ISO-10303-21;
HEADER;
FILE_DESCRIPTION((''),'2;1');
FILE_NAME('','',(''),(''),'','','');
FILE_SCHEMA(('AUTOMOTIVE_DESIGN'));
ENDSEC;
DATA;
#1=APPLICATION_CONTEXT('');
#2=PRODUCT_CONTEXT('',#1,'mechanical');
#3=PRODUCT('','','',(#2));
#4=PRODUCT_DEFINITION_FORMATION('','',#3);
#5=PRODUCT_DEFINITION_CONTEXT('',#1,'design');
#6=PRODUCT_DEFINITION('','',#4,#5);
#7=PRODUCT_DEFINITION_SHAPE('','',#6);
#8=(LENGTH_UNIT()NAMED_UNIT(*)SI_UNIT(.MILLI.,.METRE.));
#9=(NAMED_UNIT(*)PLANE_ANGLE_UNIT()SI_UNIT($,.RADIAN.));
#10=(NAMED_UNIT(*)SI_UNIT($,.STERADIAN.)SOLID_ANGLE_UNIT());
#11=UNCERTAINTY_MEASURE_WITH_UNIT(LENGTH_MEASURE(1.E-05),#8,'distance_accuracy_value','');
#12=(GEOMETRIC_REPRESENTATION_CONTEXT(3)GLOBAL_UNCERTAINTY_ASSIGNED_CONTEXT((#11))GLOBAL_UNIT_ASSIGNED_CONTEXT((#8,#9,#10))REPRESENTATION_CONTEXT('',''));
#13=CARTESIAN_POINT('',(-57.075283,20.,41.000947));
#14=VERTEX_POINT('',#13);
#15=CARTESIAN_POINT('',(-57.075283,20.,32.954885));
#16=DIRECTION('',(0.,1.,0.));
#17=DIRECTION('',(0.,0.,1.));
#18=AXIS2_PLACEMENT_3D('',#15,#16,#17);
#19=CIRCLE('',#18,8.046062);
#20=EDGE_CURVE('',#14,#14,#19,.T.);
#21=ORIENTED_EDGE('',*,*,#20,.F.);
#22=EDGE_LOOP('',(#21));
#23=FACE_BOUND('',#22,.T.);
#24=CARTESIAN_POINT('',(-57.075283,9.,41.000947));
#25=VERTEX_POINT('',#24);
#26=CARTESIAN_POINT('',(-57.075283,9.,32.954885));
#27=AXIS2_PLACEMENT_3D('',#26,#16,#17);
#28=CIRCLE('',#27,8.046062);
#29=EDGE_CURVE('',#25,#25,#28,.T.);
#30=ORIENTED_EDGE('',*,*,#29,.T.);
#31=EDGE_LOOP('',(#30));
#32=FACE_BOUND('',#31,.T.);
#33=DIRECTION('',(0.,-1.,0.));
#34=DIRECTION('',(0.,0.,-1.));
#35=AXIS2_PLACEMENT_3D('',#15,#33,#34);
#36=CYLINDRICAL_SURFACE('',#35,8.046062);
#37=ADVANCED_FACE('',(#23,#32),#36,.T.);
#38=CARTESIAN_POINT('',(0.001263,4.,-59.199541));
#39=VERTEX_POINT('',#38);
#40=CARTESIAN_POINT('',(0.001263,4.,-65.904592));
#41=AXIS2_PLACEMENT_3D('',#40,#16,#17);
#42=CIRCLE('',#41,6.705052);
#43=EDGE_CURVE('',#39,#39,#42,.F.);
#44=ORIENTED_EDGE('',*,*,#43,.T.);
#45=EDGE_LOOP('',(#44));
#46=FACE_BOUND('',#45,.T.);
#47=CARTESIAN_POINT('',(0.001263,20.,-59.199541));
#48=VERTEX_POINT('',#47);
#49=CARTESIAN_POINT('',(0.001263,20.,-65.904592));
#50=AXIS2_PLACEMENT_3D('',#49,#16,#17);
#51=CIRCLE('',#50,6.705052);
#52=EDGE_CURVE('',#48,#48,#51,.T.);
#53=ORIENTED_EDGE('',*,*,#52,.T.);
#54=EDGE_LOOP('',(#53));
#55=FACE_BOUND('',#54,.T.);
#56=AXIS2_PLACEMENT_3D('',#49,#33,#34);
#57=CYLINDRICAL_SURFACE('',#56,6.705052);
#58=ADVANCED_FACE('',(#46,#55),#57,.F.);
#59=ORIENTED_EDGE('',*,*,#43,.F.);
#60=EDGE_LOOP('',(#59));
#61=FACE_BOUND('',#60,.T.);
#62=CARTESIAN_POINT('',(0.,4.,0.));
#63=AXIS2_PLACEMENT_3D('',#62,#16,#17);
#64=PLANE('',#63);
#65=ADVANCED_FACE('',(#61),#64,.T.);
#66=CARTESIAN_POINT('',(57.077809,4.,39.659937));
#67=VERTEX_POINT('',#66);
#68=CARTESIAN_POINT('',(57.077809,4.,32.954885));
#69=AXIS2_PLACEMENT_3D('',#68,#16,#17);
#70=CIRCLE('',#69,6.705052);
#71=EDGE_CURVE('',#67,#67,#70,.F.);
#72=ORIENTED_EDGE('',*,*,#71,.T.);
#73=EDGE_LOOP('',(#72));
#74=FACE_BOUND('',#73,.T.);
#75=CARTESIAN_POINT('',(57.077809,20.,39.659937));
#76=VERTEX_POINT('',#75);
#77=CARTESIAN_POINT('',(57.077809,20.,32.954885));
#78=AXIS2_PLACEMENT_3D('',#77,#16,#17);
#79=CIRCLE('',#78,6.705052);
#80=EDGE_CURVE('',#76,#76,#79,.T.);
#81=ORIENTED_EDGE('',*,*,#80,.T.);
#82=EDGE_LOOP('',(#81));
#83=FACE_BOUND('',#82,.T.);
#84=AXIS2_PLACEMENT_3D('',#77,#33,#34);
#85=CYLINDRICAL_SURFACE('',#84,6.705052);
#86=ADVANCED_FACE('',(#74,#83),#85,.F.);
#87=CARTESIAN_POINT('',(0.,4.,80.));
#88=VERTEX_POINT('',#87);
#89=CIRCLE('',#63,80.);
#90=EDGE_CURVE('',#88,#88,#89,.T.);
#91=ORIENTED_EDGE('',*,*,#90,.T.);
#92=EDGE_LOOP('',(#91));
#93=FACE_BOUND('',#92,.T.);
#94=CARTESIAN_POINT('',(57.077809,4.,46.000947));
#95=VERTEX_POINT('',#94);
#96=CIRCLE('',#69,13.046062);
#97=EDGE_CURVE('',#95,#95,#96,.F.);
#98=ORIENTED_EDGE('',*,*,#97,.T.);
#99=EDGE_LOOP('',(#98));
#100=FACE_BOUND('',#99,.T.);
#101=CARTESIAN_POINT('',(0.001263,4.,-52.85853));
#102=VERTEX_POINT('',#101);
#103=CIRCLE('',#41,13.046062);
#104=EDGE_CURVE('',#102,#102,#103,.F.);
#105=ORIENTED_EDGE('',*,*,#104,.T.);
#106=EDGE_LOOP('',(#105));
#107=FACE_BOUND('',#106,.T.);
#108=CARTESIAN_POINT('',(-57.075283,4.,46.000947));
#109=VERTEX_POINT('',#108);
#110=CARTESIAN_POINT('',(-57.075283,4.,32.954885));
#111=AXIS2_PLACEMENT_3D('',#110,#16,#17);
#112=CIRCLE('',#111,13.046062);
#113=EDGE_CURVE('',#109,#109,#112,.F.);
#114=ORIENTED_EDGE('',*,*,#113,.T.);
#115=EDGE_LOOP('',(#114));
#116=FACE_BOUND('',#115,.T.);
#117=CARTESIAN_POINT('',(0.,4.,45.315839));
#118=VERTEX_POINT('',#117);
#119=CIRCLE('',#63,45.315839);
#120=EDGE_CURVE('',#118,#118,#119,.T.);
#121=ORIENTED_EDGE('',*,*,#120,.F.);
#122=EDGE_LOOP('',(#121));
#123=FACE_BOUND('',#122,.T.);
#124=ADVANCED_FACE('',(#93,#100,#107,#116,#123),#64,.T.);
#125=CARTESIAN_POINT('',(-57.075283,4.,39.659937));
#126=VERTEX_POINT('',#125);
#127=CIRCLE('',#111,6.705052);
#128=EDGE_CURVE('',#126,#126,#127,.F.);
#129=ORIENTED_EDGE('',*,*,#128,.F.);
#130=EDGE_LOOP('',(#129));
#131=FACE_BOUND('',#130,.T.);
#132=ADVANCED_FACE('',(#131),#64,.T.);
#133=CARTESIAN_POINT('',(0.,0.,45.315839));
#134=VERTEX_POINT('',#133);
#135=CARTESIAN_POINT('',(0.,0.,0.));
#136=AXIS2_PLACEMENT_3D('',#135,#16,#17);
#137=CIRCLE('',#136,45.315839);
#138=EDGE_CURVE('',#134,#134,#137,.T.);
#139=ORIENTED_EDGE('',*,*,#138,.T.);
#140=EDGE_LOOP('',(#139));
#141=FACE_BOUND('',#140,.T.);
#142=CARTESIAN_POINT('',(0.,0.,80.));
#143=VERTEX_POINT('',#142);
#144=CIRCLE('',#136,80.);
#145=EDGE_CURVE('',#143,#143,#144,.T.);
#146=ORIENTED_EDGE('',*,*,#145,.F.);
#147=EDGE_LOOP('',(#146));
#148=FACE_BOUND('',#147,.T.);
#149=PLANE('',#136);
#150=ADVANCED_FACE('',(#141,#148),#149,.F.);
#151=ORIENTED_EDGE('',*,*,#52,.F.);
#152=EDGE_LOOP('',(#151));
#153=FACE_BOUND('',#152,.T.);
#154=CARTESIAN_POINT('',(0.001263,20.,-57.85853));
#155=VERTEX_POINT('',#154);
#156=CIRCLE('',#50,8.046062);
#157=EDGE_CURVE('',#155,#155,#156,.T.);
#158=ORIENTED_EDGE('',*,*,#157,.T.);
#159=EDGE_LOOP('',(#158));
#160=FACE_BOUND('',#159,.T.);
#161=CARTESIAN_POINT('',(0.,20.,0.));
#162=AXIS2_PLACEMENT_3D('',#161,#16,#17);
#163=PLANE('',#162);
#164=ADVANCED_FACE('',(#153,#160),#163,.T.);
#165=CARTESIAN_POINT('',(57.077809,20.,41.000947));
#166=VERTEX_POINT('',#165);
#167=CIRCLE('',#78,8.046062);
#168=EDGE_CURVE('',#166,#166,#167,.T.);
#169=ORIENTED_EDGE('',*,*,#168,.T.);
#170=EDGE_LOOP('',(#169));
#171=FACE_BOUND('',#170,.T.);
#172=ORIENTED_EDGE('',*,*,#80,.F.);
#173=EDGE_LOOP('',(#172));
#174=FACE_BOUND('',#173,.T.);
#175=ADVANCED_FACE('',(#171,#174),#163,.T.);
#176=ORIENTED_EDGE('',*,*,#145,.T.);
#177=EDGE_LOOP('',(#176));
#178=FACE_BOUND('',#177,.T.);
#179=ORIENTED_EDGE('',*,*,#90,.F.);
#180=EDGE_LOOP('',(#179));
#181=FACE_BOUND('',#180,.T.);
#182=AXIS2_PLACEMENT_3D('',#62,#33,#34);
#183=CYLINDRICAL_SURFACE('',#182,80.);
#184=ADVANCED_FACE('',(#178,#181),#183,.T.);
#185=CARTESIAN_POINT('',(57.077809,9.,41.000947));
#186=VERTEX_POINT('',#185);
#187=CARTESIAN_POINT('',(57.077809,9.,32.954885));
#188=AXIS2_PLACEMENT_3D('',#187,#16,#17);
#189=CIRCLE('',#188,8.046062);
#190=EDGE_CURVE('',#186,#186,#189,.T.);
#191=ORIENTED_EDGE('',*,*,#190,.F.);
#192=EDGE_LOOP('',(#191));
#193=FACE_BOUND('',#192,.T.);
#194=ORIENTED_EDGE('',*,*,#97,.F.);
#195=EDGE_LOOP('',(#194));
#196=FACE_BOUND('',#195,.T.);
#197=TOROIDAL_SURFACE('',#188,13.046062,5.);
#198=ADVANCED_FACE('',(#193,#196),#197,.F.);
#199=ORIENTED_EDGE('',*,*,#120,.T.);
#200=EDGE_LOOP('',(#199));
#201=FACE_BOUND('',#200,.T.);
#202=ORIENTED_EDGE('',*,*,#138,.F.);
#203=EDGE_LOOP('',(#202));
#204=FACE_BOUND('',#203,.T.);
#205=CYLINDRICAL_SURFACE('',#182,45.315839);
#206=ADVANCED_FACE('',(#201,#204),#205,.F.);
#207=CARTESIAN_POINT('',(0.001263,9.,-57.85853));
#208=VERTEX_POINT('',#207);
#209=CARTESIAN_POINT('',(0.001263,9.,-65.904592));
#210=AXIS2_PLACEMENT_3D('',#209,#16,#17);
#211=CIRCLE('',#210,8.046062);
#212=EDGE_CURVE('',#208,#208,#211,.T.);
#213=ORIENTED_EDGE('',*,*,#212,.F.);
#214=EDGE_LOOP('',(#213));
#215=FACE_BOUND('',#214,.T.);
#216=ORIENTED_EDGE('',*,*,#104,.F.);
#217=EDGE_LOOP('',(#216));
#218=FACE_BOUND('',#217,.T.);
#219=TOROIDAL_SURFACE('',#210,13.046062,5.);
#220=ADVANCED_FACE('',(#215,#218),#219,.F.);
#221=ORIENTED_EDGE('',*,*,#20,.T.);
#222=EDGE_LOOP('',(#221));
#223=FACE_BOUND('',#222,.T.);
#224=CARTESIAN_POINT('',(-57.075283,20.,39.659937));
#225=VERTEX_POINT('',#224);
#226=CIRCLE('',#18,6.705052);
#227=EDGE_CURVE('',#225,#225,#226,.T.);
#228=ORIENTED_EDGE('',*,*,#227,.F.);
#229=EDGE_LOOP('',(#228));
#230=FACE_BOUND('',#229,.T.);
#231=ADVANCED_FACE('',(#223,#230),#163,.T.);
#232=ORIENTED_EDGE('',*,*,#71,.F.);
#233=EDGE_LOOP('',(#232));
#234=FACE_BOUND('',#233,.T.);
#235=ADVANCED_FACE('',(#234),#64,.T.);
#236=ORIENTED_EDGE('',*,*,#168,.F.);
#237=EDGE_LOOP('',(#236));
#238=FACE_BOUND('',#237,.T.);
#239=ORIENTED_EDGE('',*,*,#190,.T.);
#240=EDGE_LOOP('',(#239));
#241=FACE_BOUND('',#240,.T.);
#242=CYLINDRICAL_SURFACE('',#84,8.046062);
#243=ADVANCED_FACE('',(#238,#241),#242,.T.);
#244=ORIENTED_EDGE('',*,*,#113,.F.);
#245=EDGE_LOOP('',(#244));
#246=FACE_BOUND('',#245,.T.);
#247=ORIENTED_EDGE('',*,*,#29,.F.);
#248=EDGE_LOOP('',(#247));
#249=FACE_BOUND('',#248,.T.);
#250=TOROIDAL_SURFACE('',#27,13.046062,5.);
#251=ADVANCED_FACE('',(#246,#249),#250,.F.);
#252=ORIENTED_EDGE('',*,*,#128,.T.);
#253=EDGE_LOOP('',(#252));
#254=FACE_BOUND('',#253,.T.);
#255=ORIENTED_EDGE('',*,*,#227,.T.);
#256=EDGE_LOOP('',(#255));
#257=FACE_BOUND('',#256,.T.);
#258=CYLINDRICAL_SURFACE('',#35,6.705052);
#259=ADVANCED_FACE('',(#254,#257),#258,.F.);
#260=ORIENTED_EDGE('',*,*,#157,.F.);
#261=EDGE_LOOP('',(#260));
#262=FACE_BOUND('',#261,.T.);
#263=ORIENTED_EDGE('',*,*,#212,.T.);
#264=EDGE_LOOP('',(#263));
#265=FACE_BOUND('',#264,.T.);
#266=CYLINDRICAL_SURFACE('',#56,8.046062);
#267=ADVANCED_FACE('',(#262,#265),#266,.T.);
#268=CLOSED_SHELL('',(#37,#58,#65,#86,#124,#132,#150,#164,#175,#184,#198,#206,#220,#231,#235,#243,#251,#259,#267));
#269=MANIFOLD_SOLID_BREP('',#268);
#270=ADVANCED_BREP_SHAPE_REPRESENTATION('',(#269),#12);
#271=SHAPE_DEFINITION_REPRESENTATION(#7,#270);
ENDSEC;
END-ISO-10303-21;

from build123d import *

# Parameters (mm, degrees)
SKETCH4_R           = 80
SKETCH4_R_2         = 45.315839153
BOSS_EXTRUDE1_DEPTH = 4
SKETCH4_3_R         = 8.046061865
SKETCH4_3_R_2       = 6.705051554
BOSS_EXTRUDE2_DEPTH = 20
FILLET1_R           = 5


with BuildPart() as part:
    # Sketch4 → Boss-Extrude1 (new body)
    with BuildSketch(Plane(origin=(0, 0, 0), x_dir=(1, 0, 0), z_dir=(0, 1, 0))):
        Circle(SKETCH4_R)
        Circle(SKETCH4_R_2, mode=Mode.SUBTRACT)
    extrude(amount=BOSS_EXTRUDE1_DEPTH)

    # Sketch4<3> → Boss-Extrude2 (add)
    # profile 1 of 3: a face of its own
    with BuildSketch(Plane(origin=(0, 0, 0), x_dir=(1, 0, 0), z_dir=(0, 1, 0))):
        with Locations((0.001262643, 65.904592273)):
            Circle(SKETCH4_3_R)
        with Locations((0.001262643, 65.904592273)):
            Circle(SKETCH4_3_R_2, mode=Mode.SUBTRACT)
    # profile 2 of 3: a face of its own
    with BuildSketch(Plane(origin=(0, 0, 0), x_dir=(1, 0, 0), z_dir=(0, 1, 0))):
        with Locations((57.077808537, -32.954885136)):
            Circle(SKETCH4_3_R)
        with Locations((57.077808537, -32.954885136)):
            Circle(SKETCH4_3_R_2, mode=Mode.SUBTRACT)
    # profile 3 of 3: a face of its own
    with BuildSketch(Plane(origin=(0, 0, 0), x_dir=(1, 0, 0), z_dir=(0, 1, 0))):
        with Locations((-57.075283251, -32.954885136)):
            Circle(SKETCH4_3_R)
        with Locations((-57.075283251, -32.954885136)):
            Circle(SKETCH4_3_R_2, mode=Mode.SUBTRACT)
    extrude(amount=BOSS_EXTRUDE2_DEPTH)

    # Fillet1
    fillet1_edges = [part.edges().sort_by_distance(p)[0] for p in [
        (49.031746673, 4, 32.954885136),
        (-8.044799222, 4, -65.904592273),
        (-65.121345116, 4, 32.954885136),
    ]]
    fillet(fillet1_edges, radius=FILLET1_R)


solid = part.part
